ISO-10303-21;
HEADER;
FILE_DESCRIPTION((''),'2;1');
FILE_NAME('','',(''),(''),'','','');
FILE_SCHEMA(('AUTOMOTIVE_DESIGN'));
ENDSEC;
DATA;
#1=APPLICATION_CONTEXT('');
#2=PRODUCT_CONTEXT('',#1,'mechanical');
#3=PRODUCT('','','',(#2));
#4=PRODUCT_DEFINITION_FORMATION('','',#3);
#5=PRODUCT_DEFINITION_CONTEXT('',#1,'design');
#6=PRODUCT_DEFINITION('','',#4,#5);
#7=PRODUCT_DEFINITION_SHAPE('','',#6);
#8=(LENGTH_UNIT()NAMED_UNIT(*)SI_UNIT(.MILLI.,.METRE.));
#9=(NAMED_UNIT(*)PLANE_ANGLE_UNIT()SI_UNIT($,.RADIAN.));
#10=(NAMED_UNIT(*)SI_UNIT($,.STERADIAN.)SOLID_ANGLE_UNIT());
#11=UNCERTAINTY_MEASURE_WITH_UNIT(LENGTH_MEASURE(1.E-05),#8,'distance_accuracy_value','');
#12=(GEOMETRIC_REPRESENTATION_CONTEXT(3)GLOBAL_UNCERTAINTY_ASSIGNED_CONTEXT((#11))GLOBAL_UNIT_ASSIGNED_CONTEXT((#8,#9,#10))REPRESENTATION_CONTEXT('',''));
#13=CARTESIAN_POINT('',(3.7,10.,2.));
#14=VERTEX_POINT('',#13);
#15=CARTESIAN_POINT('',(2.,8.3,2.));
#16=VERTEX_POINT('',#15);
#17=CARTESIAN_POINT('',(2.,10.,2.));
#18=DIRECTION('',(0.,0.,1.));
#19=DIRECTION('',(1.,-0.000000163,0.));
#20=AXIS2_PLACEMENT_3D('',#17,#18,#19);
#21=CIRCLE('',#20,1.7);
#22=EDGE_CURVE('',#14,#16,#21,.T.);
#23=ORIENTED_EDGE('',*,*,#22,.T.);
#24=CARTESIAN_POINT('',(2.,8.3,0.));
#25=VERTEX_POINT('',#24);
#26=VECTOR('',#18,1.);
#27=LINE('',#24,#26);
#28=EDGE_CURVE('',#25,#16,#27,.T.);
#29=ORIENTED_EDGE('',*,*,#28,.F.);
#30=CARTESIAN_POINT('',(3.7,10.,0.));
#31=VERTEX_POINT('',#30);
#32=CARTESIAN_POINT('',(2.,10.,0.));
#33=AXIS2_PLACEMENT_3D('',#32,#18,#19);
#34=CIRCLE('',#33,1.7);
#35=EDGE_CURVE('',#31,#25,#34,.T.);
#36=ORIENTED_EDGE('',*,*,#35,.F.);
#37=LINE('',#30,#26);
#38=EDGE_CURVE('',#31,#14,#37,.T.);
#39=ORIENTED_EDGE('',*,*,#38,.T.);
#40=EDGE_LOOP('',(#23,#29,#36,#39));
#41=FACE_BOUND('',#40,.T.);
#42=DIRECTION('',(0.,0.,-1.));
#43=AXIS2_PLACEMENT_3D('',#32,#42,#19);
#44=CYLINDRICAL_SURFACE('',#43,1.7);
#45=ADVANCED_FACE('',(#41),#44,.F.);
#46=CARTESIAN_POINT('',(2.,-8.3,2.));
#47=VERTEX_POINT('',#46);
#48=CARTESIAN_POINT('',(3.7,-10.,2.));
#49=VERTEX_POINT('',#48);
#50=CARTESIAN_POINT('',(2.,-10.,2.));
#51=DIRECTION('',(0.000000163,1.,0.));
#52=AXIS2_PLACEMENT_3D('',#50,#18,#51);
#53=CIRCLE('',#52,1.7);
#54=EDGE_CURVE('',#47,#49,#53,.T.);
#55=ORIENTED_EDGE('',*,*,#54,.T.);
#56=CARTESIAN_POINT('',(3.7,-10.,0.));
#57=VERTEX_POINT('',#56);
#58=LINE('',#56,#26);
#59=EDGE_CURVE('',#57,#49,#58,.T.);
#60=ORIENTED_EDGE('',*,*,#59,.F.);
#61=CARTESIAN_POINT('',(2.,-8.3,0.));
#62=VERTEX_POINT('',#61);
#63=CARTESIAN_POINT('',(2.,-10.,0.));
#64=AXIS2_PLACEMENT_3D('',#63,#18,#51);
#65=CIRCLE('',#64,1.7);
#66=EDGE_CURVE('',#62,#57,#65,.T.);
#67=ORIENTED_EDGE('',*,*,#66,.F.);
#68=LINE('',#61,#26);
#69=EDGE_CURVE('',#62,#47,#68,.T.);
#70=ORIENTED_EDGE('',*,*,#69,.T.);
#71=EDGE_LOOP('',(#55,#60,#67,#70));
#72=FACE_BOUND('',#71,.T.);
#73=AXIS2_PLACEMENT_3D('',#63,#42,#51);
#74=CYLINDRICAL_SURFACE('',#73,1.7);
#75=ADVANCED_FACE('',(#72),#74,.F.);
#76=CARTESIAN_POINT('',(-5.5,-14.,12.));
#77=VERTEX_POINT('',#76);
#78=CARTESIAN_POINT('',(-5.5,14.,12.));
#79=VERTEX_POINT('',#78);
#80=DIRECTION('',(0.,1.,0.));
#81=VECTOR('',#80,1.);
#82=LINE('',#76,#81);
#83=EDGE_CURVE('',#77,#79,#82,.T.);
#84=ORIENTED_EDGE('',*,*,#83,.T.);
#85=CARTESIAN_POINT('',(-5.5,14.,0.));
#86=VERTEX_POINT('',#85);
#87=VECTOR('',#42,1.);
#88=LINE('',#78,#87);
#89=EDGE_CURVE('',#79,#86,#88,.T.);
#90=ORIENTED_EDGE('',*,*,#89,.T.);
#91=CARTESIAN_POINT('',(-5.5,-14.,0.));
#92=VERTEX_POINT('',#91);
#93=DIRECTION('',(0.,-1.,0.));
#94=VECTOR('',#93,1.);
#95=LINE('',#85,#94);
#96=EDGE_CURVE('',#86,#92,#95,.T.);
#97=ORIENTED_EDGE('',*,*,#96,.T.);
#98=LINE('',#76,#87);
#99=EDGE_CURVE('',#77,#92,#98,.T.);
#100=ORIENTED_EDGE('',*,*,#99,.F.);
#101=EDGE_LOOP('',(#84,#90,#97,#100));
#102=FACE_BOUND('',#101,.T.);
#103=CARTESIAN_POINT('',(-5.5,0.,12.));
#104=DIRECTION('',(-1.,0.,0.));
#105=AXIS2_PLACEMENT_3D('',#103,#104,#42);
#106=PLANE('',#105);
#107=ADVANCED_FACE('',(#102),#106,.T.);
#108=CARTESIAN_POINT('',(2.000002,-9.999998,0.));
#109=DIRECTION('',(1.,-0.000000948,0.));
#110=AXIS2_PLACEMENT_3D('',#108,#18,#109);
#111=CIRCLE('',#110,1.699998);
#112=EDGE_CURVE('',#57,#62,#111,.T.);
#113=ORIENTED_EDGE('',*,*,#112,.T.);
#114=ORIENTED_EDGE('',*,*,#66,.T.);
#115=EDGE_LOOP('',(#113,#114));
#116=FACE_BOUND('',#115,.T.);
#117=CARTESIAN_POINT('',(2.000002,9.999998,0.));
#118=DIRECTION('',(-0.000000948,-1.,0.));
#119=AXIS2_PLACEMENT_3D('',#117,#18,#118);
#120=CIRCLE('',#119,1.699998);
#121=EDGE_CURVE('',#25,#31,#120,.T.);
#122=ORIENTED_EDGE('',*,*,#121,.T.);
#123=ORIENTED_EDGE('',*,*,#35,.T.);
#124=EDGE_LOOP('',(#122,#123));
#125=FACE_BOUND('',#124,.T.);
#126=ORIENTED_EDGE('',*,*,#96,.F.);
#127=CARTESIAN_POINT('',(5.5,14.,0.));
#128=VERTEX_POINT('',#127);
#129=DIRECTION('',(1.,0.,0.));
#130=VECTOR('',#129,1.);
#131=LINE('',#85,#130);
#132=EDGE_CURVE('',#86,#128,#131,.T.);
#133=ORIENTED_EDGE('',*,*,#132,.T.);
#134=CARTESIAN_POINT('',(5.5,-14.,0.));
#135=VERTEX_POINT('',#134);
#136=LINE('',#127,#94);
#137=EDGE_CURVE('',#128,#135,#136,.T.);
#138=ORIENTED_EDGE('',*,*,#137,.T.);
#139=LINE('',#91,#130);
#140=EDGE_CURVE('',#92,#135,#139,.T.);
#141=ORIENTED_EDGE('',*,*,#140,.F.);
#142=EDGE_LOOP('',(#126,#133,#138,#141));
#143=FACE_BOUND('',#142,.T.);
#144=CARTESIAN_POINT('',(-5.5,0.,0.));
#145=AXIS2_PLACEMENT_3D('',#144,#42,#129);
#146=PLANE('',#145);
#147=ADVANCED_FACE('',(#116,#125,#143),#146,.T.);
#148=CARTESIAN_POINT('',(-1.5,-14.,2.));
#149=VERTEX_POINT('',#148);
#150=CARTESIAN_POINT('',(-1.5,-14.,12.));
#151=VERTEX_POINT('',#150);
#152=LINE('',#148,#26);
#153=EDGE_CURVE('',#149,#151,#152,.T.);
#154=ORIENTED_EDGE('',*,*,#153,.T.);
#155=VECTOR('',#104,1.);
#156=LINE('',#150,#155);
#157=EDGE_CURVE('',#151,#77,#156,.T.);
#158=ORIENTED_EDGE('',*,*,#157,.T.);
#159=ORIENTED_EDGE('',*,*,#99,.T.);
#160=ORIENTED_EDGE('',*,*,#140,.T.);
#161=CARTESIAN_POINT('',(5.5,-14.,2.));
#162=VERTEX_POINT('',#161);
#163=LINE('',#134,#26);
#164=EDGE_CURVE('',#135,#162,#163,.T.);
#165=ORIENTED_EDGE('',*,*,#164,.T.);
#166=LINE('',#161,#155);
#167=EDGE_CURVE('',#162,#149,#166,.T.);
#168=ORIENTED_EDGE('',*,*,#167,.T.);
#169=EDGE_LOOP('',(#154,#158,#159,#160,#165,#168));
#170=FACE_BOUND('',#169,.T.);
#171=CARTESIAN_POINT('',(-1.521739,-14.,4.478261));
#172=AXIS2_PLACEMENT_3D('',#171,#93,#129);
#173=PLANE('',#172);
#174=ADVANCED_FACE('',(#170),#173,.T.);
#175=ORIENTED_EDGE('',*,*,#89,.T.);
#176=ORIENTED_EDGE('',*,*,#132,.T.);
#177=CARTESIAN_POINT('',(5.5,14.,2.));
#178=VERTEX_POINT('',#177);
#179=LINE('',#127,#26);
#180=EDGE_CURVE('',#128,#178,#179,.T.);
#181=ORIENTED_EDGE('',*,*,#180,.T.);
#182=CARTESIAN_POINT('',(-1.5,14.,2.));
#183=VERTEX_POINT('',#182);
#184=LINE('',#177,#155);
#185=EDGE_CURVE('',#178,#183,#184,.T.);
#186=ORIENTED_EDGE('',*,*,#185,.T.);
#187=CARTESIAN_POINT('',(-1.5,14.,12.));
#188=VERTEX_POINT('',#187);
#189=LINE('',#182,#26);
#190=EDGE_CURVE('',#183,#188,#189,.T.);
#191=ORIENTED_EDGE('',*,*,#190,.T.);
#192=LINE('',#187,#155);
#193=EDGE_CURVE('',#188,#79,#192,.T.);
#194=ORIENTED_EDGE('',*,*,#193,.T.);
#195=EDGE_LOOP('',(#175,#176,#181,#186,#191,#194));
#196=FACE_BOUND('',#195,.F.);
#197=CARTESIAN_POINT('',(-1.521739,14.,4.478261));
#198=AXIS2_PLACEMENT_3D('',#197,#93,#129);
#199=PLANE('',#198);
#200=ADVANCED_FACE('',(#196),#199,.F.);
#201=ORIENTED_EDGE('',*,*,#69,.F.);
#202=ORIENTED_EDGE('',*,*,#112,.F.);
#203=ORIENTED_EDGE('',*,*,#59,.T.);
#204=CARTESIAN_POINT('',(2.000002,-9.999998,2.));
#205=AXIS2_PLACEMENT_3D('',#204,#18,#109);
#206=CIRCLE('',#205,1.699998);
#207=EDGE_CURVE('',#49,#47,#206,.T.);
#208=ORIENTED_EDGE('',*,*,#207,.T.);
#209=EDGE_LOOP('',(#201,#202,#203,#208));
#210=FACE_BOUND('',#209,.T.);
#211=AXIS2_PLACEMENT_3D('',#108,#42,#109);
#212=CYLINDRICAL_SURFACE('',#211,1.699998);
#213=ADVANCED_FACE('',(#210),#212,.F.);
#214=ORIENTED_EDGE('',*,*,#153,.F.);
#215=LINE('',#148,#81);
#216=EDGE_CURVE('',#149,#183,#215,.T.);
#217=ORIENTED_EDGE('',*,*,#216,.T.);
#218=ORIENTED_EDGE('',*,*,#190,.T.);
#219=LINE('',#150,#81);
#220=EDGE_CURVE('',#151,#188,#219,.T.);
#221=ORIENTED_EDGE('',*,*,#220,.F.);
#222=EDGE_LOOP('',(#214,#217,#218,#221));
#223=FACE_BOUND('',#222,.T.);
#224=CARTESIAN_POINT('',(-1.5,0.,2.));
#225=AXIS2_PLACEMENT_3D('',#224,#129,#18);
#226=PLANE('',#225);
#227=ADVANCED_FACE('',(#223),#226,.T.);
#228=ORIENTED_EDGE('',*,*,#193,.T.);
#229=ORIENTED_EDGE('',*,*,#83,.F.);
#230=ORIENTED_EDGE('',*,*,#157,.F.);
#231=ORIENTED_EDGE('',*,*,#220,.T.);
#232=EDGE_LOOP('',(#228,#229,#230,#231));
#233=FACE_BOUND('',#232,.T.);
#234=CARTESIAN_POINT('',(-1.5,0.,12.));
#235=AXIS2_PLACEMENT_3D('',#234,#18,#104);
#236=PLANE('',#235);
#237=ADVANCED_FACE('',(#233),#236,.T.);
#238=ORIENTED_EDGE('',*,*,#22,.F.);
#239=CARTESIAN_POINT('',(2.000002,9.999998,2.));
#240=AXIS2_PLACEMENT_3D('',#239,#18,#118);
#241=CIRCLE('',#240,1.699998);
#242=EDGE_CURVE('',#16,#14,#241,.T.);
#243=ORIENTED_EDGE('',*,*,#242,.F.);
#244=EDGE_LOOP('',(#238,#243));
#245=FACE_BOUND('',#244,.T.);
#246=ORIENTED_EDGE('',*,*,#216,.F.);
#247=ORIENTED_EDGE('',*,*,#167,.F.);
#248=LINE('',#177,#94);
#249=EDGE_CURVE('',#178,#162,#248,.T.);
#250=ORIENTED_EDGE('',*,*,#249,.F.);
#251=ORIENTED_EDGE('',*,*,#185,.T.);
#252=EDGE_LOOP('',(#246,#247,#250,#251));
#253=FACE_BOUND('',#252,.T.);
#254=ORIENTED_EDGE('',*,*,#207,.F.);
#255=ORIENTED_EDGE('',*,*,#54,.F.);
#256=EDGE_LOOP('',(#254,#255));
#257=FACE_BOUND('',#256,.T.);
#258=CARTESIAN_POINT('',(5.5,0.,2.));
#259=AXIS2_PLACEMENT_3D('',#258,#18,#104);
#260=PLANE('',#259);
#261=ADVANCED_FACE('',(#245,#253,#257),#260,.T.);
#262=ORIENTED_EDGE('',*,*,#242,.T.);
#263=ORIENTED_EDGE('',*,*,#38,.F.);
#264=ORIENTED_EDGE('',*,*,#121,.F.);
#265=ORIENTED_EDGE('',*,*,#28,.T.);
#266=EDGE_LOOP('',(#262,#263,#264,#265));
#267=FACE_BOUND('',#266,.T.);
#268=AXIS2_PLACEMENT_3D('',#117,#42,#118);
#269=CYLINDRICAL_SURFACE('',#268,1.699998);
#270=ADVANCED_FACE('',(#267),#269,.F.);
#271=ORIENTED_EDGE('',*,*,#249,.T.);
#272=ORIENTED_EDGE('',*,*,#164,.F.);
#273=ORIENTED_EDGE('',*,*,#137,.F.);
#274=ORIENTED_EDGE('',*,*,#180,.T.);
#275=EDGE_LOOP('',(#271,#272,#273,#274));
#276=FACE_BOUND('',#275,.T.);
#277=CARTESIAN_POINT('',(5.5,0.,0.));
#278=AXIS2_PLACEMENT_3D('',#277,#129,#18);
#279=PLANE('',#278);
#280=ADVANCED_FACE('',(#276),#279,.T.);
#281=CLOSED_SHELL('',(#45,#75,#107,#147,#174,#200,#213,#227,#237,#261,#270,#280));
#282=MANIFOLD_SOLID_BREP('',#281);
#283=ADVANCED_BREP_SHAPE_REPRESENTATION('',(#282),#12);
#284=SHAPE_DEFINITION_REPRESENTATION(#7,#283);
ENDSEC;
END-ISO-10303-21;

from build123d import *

# Parameters (mm, degrees)
F1_DEPTH = 14
F3_DEPTH = 2


with BuildPart() as f1:
    # F0 (on Front) → F1 (new body, symmetric)
    with BuildSketch(Plane.XZ):
        Polygon((-5.5, 12), (-5.5, 0), (5.5, 0), (5.5, 2), (-1.5, 2), (-1.5, 12), align=None)
    extrude(amount=F1_DEPTH, both=True)

    # F2 (on Top) → F3 (cut, through all)
    with BuildSketch(Plane.XY):
        with BuildLine():
            ThreePointArc((3.7, -10), (3.202082, -8.797918), (2, -8.3))
            ThreePointArc((2, -8.3), (0.797918, -11.202082), (3.7, -10))
        make_face()
        with BuildLine():
            ThreePointArc((3.7, 10), (0.797918, 11.202082), (2, 8.3))
            ThreePointArc((2, 8.3), (3.202082, 8.797918), (3.7, 10))
        make_face()
    extrude(amount=F3_DEPTH, mode=Mode.SUBTRACT)


solid = f1.part
